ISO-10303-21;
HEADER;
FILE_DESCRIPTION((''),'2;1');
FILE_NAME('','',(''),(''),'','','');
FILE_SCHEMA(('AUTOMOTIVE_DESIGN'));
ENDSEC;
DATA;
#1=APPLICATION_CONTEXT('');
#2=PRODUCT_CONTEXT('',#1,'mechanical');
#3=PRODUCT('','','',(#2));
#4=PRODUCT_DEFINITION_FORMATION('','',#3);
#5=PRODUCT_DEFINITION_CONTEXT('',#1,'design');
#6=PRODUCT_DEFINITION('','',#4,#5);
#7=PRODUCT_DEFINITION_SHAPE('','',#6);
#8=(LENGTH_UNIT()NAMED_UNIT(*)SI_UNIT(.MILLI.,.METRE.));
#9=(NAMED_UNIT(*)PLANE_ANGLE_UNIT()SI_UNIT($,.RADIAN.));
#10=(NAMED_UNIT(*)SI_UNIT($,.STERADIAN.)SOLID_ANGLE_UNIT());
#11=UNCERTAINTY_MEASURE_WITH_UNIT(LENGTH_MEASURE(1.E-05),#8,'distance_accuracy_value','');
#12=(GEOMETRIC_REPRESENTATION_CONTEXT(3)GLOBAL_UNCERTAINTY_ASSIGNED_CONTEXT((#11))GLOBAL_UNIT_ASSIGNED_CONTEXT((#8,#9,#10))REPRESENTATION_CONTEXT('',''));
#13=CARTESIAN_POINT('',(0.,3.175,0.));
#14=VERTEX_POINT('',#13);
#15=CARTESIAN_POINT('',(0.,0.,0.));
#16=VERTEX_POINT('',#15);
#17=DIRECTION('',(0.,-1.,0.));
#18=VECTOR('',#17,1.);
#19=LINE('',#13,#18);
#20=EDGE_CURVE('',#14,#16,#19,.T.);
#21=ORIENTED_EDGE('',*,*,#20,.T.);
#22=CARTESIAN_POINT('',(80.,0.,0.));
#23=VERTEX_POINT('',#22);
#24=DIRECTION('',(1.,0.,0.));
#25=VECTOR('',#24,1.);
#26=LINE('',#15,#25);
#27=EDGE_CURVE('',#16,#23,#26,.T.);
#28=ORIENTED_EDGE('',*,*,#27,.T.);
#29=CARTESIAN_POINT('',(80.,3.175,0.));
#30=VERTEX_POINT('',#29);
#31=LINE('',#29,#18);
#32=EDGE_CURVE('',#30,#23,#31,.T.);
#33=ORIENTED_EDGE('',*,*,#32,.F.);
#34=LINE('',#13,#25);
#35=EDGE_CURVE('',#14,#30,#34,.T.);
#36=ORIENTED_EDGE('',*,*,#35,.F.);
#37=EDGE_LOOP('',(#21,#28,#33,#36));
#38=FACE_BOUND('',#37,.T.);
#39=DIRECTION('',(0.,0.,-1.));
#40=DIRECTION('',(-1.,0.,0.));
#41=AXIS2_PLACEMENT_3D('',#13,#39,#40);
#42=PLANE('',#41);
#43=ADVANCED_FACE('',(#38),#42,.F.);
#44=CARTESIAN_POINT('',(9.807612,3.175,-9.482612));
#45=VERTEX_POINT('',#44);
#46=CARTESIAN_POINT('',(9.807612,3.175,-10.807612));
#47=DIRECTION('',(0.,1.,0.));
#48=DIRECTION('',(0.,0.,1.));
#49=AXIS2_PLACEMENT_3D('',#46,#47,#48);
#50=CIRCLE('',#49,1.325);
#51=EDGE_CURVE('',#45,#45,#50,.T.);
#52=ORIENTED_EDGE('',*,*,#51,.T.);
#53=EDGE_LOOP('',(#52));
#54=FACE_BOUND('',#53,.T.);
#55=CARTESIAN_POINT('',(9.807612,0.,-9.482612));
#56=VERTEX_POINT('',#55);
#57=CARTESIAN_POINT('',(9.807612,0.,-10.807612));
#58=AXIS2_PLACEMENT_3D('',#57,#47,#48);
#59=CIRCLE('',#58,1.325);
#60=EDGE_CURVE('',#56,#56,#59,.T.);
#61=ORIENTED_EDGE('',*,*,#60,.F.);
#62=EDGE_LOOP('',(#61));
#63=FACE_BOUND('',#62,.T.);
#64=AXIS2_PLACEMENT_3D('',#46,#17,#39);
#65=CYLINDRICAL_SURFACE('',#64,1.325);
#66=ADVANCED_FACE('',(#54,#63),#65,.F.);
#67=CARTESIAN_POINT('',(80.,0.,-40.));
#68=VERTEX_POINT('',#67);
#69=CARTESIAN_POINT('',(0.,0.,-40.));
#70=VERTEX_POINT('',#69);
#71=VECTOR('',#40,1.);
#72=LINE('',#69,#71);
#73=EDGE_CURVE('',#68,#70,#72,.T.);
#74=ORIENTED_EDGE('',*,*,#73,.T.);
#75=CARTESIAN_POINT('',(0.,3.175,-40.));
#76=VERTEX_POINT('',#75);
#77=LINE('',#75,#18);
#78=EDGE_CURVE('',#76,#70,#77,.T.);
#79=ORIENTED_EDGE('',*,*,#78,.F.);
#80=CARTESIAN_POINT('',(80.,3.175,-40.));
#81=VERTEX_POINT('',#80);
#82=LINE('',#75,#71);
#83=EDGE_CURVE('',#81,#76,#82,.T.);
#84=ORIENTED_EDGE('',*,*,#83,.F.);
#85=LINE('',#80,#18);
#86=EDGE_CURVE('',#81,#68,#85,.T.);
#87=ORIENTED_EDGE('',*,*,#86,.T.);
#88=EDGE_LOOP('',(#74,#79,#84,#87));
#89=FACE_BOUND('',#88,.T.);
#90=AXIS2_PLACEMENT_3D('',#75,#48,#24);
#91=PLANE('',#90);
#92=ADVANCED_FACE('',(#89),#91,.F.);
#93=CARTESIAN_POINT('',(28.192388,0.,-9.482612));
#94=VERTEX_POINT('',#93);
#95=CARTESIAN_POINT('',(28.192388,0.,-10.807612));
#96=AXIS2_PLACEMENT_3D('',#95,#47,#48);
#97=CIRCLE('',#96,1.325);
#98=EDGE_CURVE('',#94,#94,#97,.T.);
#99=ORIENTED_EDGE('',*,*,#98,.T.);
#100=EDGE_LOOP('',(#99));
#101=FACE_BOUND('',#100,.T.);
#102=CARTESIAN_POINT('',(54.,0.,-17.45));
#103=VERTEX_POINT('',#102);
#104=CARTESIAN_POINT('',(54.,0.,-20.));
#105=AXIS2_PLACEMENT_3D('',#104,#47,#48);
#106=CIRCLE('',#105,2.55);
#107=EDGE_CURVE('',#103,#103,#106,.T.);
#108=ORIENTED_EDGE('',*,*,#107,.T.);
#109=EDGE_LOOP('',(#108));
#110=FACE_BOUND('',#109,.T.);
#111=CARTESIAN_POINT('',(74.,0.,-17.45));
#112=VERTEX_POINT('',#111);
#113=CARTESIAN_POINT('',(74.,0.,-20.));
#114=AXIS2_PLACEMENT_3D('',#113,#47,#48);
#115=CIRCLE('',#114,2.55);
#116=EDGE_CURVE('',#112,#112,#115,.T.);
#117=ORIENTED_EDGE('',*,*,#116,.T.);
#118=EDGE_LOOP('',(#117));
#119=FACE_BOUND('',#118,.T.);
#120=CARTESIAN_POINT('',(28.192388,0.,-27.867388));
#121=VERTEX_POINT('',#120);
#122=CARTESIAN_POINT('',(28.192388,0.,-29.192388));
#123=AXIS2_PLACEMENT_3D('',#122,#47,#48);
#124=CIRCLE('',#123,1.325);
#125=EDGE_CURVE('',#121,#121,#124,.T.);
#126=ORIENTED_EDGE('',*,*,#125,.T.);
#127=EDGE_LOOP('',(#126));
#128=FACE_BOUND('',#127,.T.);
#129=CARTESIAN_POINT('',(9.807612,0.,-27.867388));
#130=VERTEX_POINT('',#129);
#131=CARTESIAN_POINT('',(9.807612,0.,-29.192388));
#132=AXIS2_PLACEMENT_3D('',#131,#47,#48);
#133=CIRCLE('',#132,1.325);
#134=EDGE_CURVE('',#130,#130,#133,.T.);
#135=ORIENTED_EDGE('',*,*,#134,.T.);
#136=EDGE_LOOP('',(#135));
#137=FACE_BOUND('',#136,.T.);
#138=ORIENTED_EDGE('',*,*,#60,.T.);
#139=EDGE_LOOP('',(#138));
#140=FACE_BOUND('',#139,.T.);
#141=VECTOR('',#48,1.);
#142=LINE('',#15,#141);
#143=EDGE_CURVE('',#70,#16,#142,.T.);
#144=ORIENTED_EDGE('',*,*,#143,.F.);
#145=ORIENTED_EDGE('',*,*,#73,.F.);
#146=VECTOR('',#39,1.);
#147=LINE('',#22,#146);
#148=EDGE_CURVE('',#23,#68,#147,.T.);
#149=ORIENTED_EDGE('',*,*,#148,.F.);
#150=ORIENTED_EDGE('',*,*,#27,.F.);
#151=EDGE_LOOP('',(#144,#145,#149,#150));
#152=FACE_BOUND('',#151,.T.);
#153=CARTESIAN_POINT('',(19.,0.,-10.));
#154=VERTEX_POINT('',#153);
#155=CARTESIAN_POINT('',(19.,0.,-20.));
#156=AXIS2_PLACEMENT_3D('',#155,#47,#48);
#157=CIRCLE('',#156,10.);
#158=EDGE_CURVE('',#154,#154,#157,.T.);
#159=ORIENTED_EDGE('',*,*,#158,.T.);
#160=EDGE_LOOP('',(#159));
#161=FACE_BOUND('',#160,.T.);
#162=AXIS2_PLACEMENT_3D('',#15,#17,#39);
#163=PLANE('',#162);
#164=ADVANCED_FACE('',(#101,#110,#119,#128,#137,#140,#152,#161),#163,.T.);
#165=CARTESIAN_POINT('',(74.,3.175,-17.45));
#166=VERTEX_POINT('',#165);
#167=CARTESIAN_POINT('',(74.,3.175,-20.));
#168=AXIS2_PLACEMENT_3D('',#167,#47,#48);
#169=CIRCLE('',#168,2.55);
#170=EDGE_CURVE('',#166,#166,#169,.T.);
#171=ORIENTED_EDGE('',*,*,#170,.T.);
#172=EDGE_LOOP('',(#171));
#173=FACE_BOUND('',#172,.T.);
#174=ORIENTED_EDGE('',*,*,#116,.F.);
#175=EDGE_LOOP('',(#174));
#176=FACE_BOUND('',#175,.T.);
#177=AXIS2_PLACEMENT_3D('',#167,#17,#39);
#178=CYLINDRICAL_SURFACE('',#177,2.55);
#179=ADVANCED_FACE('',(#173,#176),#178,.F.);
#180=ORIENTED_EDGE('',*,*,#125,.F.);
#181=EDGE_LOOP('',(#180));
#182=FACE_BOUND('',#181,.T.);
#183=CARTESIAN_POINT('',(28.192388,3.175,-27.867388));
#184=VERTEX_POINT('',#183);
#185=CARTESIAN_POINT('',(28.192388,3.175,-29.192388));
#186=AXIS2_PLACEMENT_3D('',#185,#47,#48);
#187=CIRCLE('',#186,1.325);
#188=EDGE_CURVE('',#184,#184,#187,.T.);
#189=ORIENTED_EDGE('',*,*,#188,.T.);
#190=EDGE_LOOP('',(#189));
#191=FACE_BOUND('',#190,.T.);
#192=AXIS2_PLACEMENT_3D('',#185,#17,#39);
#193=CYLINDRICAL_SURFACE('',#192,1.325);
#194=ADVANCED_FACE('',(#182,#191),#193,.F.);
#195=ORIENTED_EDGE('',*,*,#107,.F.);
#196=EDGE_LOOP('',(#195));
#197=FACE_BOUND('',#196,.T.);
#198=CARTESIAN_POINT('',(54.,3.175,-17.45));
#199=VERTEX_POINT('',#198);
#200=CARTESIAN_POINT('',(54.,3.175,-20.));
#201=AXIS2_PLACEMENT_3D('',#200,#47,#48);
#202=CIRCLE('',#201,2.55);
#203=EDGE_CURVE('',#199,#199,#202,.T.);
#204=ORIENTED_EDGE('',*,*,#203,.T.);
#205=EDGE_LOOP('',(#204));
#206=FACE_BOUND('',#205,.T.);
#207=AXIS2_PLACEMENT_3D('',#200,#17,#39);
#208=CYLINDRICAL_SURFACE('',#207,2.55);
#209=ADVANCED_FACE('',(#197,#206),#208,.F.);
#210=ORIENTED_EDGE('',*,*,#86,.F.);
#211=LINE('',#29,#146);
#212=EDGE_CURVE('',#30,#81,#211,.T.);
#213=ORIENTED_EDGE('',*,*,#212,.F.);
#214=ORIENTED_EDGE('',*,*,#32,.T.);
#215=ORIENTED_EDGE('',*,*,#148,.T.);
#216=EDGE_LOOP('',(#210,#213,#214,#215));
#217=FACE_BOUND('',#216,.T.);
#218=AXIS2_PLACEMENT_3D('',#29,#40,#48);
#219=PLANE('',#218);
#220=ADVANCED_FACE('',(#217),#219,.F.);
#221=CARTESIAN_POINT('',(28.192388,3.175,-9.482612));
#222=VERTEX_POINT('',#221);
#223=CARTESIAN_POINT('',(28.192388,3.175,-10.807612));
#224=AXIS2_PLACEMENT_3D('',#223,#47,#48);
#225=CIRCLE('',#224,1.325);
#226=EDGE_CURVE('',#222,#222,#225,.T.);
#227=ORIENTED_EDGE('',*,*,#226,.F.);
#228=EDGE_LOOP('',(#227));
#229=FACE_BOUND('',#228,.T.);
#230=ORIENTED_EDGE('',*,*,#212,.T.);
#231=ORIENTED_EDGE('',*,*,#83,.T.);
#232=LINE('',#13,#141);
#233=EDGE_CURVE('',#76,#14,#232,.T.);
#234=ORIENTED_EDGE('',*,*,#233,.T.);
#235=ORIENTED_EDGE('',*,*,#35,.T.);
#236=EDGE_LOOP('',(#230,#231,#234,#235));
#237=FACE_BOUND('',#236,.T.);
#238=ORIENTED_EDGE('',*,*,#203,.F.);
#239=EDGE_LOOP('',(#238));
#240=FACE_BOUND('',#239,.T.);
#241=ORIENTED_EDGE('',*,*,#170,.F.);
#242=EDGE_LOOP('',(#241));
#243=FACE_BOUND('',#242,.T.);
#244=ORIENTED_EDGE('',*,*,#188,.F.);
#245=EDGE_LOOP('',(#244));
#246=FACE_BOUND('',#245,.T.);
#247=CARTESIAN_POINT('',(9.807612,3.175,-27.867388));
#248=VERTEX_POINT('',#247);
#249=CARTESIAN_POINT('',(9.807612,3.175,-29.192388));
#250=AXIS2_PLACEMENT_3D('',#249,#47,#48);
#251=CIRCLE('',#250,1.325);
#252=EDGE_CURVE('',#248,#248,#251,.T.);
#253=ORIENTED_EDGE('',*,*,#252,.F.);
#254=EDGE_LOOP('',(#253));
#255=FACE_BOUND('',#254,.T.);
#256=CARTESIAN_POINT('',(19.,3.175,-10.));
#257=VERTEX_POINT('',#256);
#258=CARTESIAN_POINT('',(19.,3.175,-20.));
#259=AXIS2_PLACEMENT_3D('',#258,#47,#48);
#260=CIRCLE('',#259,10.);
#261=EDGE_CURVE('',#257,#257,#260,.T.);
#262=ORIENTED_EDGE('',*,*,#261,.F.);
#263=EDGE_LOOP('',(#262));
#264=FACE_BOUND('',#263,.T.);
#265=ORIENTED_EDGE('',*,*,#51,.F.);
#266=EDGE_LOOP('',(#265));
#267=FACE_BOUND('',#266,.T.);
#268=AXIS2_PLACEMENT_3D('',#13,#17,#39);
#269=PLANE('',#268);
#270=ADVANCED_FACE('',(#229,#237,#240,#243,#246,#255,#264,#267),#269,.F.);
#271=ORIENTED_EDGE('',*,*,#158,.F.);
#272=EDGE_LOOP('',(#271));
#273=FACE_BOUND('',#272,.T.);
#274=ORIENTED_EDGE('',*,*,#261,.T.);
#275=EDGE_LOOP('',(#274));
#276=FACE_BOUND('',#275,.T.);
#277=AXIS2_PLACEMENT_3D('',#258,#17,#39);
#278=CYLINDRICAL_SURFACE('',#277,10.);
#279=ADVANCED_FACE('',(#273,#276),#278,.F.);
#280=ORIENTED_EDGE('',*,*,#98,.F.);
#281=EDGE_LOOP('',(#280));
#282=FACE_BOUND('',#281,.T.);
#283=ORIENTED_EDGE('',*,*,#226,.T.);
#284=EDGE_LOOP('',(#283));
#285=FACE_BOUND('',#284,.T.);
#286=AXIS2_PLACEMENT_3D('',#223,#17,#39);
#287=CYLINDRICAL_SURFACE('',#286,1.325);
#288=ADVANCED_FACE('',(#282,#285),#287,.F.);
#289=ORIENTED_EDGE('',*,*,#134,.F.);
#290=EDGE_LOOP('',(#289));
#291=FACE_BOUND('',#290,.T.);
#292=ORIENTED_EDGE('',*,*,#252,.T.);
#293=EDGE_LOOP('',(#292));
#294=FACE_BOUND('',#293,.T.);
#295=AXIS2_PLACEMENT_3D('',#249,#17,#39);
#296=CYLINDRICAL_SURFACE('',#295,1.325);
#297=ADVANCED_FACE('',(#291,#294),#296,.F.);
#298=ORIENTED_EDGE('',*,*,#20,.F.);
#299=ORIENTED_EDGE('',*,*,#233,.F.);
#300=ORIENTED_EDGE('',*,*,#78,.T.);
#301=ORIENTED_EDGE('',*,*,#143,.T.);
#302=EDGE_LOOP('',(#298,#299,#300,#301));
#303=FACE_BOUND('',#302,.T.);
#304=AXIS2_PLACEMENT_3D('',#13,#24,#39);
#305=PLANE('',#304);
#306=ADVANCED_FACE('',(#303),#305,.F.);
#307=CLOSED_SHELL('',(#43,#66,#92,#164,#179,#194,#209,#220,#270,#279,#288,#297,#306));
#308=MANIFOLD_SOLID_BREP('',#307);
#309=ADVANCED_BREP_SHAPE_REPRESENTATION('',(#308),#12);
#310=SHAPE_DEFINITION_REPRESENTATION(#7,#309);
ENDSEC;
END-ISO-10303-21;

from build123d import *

# Parameters (mm, degrees)
SKETCH1_W           = 80
SKETCH1_H           = 40
SKETCH1_R           = 2.55
SKETCH1_R_2         = 10
SKETCH1_R_3         = 1.325
BOSS_EXTRUDE1_DEPTH = 3.175


with BuildPart() as part:
    # Sketch1 → Boss-Extrude1 (new body)
    with BuildSketch(Plane(origin=(0, 0, 0), x_dir=(1, 0, 0), z_dir=(0, 1, 0))):
        with Locations((40, 20)):
            Rectangle(SKETCH1_W, SKETCH1_H)
        with Locations((54, 20)):
            Circle(SKETCH1_R, mode=Mode.SUBTRACT)
        with Locations((74, 20)):
            Circle(SKETCH1_R, mode=Mode.SUBTRACT)
        with Locations((19, 20)):
            Circle(SKETCH1_R_2, mode=Mode.SUBTRACT)
        with Locations((28.192388155, 10.807611845)):
            Circle(SKETCH1_R_3, mode=Mode.SUBTRACT)
        with Locations((9.807611845, 10.807611845)):
            Circle(SKETCH1_R_3, mode=Mode.SUBTRACT)
        with Locations((9.807611845, 29.192388155)):
            Circle(SKETCH1_R_3, mode=Mode.SUBTRACT)
        with Locations((28.192388155, 29.192388155)):
            Circle(SKETCH1_R_3, mode=Mode.SUBTRACT)
    extrude(amount=BOSS_EXTRUDE1_DEPTH)


solid = part.part
